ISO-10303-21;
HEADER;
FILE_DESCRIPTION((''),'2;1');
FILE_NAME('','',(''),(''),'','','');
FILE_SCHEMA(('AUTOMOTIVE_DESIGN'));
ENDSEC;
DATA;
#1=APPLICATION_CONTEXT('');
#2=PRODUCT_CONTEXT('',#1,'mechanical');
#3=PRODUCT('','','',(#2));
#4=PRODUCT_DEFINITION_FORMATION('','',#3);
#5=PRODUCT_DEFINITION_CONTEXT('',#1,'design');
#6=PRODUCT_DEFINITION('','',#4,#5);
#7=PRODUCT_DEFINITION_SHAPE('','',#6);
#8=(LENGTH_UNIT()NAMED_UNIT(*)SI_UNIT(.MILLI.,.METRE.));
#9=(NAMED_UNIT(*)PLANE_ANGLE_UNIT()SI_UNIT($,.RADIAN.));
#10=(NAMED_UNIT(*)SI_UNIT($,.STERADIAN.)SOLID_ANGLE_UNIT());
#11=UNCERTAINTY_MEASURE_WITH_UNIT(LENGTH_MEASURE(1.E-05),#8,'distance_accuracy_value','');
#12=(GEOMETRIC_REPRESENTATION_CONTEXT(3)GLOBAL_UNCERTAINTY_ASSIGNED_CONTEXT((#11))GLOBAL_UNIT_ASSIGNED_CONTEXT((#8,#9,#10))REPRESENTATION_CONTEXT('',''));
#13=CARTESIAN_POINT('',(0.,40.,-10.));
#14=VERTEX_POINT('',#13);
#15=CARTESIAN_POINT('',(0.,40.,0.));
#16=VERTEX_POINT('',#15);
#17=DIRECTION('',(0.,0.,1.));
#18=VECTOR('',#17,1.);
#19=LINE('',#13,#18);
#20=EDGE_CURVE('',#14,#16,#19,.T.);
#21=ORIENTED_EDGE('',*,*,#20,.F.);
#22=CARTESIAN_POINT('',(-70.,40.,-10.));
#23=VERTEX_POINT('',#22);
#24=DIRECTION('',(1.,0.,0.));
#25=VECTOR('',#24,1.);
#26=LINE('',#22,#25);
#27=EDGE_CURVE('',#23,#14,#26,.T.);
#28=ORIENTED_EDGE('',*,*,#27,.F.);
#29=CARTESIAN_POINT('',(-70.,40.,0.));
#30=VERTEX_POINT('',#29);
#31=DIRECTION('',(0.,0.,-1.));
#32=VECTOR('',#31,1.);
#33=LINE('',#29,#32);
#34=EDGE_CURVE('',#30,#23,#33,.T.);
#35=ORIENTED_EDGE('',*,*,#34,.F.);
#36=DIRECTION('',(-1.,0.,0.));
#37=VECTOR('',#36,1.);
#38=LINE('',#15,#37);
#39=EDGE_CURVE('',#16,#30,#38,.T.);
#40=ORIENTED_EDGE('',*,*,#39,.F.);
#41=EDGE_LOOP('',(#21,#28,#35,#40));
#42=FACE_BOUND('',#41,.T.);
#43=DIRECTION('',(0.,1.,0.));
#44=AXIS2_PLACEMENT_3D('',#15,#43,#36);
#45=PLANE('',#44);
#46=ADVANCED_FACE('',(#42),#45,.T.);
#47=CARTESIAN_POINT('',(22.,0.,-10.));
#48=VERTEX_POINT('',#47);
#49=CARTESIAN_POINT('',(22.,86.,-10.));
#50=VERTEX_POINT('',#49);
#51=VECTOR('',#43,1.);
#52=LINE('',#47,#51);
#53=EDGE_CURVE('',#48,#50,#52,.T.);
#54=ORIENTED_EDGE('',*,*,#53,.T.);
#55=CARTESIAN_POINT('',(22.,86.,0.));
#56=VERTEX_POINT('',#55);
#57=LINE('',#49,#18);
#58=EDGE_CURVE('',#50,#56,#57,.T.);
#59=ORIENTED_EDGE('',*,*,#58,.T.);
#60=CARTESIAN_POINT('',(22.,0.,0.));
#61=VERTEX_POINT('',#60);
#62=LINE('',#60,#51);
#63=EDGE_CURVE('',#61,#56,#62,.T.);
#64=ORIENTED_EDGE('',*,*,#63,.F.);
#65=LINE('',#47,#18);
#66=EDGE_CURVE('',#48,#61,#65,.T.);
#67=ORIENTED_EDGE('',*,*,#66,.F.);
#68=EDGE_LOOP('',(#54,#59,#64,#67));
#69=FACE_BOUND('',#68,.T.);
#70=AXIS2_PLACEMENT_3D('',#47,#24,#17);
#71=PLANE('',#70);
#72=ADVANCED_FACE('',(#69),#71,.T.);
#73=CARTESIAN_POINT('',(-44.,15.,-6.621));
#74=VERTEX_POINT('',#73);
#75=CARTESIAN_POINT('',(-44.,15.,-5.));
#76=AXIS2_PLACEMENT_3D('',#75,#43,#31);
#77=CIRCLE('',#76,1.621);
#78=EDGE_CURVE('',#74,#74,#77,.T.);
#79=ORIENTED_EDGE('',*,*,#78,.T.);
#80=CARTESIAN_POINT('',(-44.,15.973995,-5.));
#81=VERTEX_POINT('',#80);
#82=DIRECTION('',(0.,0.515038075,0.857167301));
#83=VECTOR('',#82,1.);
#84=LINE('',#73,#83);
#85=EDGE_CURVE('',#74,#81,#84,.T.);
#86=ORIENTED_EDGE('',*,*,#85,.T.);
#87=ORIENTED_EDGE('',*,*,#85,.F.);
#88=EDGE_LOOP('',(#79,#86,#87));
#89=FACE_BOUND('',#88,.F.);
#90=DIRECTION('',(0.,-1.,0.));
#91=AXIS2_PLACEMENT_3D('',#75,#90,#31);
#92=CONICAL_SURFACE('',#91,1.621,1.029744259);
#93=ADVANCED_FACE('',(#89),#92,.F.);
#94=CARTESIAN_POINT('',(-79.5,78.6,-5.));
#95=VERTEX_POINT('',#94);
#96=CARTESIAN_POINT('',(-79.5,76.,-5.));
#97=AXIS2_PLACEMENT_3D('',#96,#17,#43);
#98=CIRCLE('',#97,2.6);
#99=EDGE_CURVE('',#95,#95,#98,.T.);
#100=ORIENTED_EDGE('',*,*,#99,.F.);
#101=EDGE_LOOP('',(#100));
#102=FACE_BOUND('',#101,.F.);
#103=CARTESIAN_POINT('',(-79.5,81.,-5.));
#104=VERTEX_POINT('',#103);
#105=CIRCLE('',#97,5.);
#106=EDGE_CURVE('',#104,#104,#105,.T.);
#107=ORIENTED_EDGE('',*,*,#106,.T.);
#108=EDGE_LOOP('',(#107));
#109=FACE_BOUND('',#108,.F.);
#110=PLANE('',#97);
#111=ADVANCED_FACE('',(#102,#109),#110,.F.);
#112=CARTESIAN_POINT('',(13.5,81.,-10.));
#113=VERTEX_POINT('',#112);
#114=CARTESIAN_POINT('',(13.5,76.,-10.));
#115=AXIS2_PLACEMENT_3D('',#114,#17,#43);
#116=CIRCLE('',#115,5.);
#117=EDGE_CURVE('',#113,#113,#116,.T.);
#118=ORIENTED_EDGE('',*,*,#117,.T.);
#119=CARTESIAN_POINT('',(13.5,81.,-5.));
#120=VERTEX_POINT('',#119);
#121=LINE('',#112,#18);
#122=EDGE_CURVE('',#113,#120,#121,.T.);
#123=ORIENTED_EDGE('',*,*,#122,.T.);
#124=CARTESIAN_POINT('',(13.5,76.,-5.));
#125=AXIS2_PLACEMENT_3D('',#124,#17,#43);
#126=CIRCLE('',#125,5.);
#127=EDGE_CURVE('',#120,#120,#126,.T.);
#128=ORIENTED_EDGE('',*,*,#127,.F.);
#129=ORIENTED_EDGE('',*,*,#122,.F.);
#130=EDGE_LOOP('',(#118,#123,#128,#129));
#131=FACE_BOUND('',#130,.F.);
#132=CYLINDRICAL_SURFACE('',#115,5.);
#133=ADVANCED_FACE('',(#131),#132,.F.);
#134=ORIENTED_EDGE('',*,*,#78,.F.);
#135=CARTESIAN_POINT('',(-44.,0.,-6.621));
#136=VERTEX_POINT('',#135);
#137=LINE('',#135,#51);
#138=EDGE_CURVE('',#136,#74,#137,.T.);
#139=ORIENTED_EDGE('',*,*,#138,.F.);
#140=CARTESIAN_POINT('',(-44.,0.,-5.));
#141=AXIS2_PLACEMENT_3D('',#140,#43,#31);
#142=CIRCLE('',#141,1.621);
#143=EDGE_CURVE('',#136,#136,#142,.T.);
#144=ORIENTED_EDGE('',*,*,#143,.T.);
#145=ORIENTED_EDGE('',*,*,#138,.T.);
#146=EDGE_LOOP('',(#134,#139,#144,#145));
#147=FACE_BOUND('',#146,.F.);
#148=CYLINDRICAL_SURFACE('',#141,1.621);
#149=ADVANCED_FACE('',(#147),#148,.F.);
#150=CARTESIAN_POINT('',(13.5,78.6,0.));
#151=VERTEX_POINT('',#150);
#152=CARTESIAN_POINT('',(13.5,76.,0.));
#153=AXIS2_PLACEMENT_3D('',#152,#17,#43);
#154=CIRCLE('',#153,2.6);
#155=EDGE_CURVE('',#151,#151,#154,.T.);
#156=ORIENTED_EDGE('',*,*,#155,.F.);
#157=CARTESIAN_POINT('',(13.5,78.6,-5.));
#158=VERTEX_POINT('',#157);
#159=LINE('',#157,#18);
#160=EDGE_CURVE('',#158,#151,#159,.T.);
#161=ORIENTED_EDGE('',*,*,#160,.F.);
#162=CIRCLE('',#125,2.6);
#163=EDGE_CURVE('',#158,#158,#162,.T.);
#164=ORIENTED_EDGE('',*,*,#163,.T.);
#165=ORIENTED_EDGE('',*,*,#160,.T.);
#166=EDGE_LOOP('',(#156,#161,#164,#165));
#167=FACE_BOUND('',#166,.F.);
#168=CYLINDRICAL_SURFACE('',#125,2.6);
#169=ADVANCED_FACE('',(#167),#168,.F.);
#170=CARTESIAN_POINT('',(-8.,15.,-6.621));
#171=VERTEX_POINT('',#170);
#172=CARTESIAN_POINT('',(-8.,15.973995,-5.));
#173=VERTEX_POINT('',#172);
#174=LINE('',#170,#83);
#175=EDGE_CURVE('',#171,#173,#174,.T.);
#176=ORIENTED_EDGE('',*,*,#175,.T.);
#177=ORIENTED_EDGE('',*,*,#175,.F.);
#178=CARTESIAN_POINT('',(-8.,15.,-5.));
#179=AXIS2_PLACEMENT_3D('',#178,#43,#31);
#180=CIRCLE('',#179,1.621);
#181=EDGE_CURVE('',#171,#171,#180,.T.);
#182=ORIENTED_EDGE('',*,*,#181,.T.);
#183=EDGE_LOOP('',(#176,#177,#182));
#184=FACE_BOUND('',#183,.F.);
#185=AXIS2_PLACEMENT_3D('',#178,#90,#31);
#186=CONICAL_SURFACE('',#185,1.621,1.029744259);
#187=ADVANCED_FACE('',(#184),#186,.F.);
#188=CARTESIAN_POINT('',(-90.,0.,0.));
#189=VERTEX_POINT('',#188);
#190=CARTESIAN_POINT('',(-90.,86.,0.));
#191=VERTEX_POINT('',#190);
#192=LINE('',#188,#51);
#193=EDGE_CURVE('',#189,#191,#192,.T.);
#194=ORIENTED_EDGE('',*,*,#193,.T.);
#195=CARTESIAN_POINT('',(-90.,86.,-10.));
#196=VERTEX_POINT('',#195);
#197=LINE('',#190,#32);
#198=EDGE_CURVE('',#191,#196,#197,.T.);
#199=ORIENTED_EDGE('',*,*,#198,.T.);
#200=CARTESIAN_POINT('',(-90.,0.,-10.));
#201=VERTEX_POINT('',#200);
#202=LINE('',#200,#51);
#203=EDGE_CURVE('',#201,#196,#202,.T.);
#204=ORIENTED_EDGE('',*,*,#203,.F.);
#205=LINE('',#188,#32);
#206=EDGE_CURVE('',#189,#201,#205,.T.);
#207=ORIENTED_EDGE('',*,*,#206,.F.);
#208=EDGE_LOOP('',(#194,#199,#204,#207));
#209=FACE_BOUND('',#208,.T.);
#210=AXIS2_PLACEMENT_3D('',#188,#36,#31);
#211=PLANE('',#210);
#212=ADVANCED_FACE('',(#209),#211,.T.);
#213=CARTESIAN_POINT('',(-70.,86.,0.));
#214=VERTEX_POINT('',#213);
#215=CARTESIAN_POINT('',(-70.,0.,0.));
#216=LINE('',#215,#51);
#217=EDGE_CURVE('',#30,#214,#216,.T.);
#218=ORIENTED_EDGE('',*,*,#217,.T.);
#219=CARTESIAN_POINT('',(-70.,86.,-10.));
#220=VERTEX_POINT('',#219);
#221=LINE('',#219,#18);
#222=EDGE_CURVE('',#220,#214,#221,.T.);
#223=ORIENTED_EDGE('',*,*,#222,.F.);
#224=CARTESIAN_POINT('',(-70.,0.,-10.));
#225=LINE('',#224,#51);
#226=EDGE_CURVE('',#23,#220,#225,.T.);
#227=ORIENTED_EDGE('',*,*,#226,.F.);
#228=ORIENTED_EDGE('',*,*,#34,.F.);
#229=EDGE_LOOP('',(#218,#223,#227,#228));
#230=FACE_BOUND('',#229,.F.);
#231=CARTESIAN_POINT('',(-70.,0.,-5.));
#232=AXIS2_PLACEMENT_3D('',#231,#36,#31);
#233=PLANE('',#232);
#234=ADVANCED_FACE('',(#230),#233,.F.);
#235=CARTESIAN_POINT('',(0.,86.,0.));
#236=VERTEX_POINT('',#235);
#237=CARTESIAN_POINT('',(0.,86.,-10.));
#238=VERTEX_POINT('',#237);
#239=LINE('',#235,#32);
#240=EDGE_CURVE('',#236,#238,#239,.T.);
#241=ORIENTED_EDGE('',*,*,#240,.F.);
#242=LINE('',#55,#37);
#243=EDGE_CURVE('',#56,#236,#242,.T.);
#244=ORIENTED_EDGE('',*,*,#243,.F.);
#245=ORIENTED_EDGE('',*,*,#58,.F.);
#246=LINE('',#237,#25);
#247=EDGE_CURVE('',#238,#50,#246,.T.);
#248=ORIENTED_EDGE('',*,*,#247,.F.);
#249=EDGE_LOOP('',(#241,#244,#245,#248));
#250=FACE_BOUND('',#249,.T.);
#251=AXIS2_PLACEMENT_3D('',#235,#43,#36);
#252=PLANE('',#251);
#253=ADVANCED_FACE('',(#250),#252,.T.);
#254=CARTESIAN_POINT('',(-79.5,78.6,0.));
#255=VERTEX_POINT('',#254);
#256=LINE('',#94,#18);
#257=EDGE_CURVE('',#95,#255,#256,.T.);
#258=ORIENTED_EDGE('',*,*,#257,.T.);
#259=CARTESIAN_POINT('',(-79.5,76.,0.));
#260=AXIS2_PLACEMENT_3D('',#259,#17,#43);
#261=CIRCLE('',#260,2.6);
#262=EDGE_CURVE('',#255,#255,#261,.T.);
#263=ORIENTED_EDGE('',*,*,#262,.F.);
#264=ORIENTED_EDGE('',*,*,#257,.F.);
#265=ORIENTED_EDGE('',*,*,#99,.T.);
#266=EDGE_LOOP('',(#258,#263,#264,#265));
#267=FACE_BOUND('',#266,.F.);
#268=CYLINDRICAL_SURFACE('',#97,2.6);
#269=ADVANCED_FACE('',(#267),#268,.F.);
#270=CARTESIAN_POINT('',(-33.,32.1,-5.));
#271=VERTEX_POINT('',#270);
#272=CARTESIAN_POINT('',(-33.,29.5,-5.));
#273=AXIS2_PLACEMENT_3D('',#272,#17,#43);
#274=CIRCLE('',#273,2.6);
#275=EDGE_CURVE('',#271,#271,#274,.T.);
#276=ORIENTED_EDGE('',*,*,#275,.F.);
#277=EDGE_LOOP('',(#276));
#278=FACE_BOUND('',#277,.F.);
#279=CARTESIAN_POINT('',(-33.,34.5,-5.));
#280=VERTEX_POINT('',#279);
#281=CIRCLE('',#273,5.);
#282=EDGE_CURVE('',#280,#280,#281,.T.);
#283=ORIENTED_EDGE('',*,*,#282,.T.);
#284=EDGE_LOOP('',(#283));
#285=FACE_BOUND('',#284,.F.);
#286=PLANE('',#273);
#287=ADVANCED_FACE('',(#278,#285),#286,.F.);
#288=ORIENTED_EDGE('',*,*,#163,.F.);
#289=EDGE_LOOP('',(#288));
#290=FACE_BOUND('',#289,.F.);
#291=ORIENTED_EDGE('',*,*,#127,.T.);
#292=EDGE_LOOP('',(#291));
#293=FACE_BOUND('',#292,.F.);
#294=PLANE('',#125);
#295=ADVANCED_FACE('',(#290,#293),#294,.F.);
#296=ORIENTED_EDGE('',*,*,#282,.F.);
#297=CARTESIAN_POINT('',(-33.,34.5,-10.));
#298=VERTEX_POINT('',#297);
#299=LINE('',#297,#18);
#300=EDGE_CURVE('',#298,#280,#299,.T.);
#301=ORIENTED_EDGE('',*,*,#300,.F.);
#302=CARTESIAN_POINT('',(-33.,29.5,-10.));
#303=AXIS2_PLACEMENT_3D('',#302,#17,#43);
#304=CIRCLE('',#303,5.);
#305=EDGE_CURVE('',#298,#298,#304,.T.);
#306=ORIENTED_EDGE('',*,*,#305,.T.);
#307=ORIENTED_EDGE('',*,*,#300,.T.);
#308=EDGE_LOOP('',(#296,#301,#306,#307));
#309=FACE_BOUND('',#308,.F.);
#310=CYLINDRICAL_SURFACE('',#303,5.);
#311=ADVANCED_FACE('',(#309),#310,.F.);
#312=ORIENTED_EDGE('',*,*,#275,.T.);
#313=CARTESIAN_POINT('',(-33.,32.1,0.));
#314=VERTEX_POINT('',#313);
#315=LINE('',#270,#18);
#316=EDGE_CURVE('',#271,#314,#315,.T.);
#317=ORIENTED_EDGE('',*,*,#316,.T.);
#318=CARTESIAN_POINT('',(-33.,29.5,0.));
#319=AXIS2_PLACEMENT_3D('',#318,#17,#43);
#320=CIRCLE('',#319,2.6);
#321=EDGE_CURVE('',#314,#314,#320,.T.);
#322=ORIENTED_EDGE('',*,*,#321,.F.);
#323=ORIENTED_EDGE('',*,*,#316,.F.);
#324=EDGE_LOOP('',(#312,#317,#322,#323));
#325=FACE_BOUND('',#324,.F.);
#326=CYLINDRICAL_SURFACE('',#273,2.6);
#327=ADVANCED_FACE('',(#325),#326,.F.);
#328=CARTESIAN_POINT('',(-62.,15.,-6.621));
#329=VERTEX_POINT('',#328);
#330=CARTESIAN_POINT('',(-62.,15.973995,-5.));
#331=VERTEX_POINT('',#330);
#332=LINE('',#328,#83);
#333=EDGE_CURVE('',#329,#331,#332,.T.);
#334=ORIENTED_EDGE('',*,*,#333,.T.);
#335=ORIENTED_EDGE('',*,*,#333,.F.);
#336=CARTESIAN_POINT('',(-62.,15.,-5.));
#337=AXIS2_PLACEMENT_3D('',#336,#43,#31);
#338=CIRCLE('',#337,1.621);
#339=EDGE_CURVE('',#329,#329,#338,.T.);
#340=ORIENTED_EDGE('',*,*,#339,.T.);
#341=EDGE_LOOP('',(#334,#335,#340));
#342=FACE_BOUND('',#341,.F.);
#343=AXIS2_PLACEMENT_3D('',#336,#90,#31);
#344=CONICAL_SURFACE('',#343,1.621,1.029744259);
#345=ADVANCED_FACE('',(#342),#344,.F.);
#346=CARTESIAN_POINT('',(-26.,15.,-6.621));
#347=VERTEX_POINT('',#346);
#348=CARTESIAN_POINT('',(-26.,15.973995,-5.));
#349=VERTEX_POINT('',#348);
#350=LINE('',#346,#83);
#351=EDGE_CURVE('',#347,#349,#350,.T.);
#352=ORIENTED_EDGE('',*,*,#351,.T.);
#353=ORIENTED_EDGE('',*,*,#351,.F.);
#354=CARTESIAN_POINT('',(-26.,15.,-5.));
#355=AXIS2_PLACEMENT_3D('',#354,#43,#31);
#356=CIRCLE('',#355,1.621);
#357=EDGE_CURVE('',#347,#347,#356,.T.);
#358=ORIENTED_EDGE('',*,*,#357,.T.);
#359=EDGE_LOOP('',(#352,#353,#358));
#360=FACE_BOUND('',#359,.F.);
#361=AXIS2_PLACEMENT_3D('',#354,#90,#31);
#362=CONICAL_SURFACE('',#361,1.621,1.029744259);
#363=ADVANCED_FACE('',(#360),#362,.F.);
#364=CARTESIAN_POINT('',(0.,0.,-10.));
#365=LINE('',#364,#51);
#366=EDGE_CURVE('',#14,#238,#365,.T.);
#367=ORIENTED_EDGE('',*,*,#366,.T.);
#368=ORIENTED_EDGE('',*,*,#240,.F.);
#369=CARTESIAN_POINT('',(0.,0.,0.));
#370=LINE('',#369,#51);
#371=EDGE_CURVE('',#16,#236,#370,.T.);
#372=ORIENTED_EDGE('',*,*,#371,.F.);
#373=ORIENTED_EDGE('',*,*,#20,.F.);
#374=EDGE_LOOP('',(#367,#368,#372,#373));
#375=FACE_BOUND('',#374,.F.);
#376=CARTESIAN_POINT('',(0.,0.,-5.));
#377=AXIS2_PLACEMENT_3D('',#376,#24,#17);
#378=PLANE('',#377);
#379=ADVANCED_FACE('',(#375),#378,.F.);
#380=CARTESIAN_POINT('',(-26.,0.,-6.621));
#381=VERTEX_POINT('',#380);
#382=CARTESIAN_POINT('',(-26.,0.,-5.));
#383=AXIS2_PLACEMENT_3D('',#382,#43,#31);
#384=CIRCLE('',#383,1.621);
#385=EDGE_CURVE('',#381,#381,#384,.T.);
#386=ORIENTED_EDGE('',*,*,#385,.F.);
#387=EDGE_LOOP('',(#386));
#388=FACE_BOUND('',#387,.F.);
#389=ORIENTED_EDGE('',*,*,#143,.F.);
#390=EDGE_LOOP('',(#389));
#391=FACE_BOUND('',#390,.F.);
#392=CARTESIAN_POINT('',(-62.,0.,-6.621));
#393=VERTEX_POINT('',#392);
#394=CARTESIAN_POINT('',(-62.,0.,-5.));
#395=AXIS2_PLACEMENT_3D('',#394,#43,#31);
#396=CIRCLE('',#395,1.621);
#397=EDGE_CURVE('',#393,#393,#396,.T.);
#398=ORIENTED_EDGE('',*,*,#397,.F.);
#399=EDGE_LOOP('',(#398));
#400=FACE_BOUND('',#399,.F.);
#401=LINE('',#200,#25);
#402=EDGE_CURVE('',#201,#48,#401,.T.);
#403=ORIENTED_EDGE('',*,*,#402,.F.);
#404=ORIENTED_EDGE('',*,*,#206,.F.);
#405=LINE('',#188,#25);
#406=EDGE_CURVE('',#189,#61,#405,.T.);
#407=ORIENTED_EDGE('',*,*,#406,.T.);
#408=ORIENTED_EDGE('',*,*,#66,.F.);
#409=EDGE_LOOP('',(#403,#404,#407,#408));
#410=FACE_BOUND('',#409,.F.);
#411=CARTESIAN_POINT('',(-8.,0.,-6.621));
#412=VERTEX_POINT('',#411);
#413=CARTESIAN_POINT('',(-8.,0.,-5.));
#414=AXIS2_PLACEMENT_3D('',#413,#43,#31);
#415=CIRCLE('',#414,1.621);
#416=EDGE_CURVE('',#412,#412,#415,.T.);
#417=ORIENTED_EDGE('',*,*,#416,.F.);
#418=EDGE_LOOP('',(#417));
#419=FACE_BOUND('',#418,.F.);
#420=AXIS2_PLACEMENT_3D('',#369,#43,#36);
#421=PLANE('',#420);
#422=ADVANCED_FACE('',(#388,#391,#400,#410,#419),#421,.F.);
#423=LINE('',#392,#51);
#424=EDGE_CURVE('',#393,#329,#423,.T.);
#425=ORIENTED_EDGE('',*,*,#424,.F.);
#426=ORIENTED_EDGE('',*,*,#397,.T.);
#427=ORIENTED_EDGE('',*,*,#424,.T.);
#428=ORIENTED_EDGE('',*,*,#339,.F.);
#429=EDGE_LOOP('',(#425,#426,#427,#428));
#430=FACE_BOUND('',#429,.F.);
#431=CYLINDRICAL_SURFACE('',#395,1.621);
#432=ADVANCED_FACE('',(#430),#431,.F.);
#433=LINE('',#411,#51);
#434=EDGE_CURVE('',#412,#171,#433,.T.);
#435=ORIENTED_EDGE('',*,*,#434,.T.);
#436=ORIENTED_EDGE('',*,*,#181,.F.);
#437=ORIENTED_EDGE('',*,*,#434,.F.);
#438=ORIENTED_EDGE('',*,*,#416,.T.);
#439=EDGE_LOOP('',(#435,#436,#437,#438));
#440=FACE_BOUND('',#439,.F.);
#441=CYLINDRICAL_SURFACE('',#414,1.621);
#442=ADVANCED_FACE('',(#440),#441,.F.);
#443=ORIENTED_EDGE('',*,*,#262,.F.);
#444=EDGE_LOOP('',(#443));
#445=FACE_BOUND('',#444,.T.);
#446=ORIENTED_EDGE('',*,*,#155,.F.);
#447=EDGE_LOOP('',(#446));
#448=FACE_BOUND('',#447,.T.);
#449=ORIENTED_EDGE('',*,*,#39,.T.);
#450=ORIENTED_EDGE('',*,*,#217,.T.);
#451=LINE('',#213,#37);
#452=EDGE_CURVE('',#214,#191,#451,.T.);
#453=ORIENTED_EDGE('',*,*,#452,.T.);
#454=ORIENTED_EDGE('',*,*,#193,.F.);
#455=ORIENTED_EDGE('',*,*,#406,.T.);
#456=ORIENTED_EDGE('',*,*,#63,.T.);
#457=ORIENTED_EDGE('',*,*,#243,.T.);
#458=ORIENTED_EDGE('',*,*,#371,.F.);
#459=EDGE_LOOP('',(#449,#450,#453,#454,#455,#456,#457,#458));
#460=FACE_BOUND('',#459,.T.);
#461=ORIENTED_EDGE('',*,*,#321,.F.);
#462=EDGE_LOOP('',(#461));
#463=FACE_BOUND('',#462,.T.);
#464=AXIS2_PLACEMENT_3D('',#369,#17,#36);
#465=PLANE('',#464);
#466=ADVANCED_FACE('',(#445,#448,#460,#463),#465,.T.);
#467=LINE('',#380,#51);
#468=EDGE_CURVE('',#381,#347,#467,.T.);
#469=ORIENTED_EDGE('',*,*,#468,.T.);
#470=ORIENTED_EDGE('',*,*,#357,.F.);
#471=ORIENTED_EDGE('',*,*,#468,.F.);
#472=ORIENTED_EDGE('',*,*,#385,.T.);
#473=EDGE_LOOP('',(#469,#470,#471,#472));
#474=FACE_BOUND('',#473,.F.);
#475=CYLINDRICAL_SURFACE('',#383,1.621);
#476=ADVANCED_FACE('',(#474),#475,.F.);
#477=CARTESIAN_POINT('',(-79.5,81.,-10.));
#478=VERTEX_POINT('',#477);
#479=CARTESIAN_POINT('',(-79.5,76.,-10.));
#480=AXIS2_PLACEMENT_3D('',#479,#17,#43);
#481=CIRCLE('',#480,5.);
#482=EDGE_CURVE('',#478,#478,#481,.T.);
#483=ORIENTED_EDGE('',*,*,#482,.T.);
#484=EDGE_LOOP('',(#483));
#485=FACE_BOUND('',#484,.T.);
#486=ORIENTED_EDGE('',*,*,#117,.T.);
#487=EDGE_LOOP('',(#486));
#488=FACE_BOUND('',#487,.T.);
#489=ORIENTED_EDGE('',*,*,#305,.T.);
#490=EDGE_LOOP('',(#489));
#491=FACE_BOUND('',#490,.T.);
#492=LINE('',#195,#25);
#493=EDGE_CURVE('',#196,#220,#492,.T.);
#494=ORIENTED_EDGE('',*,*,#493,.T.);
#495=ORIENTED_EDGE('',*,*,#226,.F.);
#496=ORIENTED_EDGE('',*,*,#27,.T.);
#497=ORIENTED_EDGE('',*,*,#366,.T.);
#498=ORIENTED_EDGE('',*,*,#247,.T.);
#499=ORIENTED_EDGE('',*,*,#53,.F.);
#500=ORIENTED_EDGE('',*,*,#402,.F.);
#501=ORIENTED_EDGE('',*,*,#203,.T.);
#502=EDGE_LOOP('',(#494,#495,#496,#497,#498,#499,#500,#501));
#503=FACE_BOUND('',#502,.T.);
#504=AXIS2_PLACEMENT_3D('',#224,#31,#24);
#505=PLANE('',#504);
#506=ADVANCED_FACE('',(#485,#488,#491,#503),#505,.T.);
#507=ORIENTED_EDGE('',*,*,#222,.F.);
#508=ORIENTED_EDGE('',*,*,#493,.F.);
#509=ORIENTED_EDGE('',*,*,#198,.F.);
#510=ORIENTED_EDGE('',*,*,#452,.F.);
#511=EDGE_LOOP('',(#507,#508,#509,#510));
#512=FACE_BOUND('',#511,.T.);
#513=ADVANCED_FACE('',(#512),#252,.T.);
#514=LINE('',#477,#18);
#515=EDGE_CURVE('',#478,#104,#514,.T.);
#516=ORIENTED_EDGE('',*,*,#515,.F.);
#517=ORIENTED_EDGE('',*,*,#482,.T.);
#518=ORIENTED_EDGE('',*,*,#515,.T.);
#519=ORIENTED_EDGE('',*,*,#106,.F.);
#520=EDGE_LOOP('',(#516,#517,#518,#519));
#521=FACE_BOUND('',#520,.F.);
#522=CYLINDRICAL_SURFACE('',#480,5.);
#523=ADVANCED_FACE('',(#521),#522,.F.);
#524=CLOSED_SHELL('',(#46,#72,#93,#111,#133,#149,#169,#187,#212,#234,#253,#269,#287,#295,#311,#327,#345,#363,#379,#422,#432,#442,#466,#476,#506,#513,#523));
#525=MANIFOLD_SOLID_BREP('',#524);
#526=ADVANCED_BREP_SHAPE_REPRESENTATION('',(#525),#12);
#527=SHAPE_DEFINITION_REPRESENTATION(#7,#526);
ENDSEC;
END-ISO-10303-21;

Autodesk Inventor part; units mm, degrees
ref_plane "YZ Plane" through (0, 0, 0) normal (1, 0, 0) x (0, 1, 0)
ref_plane "XZ Plane" through (0, 0, 0) normal (0, 1, 0) x (-1, 0, 0)
ref_plane "XY Plane" through (0, 0, 0) normal (0, 0, 1) x (1, 0, 0)
sketch "Sketch1" plane through (0, 0, 0) normal (0, 1, 0) x (-1, 0, 0)
  line L0 (0, 0) -> (70, 0)
  line L1 (70, 0) -> (70, -10)
  line L2 (70, -10) -> (0, -10)
  line L3 (0, -10) -> (0, 0)
  line L4 (70, 0) -> (0, 0)
  line L5 (0, 0) -> (0, -5)
  line L6 (0, -5) -> (70, -5)
  line L7 (70, -5) -> (70, 0)
  line L8 (70, -5) -> (62, -5)
  line L9 (62, -5) -> (44, -5)
  line L10 (44, -5) -> (26, -5)
  line L11 (26, -5) -> (8, -5)
  line L12 (8, -5) -> (-6, -5)
  line L13 (70, 0) -> (90, 0)
  line L14 (90, 0) -> (90, -10)
  line L15 (90, -10) -> (70, -10)
  line L16 (70, -10) -> (70, 0)
  line L17 (0, -10) -> (-22, -10)
  line L18 (-22, -10) -> (-22, 0)
  line L19 (-22, 0) -> (0, 0)
  line L20 (0, 0) -> (0, -10)
  dimension "d0" = 70
  dimension "d1" = 10
  dimension "d2" = 5
  dimension "d3" = 8
  dimension "d4" = 18
  dimension "d5" = 18
  dimension "d6" = 18
  dimension "d22" = 20
  dimension "d23" = 22
extrude "Extrusion1" add sketch "Sketch1" along normal blind 40 contours L0 L1 L6 L3 | L6 L1 L2 L3
hole "Hole1" at (6, 0, -5) at (-8, 0, -5) at (-26, 0, -5) at (-44, 0, -5) at (-62, 0, -5) direction (0, 1, 0) diameter 3.242 depth 15 tip angle 118 thread size "M4x0.7" class "6H" standard "ANSI Metric M Profile"
extrude "Extrusion3" add sketch "Sketch1" along normal blind 86 contours L3 L17 L18 L19 | L13 L14 L15 L1
sketch "Sketch4" plane through (22, 0, -10) normal (0, 0, -1) x (-1, 0, 0)
  line L0 (112, 0) -> (112, 86) projected
  line L1 (112, 86) -> (101.5, 86)
  line L2 (101.5, 86) -> (101.5, 76)
  line L3 (101.5, 76) -> (112, 76)
  line L4 (112, 76) -> (112, 86)
  line L5 (0, 86) -> (22, 86) projected
  line L6 (0, 86) -> (8.5, 86)
  line L7 (8.5, 86) -> (8.5, 76)
  line L8 (8.5, 76) -> (0, 76)
  line L9 (0, 76) -> (0, 86)
  line L10 (22, 40) -> (92, 40) projected
  line L11 (22, 40) -> (55, 40)
  line L12 (55, 40) -> (55, 29.5)
  line L13 (55, 29.5) -> (22, 29.5)
  line L14 (22, 29.5) -> (22, 40)
  point P0 (22, 0)
  dimension "d35" = 10.5
  dimension "d36" = 10
  dimension "d44" = 8.5
  dimension "d45" = 10
  dimension "d46" = 10.5
  dimension "d47" = 33
hole "Hole3" at (-79.5, 76, -10) at (13.5, 76, -10) at (-33, 29.5, -10) direction (0, 0, 1) diameter 5.2 end through all counterbore diameter 10 counterbore depth 5 clearance for "Socket Head Cap Screw" size "M5" standard "Ansi Metric M Profile"
properties part number "CameraAdapter_part2"
